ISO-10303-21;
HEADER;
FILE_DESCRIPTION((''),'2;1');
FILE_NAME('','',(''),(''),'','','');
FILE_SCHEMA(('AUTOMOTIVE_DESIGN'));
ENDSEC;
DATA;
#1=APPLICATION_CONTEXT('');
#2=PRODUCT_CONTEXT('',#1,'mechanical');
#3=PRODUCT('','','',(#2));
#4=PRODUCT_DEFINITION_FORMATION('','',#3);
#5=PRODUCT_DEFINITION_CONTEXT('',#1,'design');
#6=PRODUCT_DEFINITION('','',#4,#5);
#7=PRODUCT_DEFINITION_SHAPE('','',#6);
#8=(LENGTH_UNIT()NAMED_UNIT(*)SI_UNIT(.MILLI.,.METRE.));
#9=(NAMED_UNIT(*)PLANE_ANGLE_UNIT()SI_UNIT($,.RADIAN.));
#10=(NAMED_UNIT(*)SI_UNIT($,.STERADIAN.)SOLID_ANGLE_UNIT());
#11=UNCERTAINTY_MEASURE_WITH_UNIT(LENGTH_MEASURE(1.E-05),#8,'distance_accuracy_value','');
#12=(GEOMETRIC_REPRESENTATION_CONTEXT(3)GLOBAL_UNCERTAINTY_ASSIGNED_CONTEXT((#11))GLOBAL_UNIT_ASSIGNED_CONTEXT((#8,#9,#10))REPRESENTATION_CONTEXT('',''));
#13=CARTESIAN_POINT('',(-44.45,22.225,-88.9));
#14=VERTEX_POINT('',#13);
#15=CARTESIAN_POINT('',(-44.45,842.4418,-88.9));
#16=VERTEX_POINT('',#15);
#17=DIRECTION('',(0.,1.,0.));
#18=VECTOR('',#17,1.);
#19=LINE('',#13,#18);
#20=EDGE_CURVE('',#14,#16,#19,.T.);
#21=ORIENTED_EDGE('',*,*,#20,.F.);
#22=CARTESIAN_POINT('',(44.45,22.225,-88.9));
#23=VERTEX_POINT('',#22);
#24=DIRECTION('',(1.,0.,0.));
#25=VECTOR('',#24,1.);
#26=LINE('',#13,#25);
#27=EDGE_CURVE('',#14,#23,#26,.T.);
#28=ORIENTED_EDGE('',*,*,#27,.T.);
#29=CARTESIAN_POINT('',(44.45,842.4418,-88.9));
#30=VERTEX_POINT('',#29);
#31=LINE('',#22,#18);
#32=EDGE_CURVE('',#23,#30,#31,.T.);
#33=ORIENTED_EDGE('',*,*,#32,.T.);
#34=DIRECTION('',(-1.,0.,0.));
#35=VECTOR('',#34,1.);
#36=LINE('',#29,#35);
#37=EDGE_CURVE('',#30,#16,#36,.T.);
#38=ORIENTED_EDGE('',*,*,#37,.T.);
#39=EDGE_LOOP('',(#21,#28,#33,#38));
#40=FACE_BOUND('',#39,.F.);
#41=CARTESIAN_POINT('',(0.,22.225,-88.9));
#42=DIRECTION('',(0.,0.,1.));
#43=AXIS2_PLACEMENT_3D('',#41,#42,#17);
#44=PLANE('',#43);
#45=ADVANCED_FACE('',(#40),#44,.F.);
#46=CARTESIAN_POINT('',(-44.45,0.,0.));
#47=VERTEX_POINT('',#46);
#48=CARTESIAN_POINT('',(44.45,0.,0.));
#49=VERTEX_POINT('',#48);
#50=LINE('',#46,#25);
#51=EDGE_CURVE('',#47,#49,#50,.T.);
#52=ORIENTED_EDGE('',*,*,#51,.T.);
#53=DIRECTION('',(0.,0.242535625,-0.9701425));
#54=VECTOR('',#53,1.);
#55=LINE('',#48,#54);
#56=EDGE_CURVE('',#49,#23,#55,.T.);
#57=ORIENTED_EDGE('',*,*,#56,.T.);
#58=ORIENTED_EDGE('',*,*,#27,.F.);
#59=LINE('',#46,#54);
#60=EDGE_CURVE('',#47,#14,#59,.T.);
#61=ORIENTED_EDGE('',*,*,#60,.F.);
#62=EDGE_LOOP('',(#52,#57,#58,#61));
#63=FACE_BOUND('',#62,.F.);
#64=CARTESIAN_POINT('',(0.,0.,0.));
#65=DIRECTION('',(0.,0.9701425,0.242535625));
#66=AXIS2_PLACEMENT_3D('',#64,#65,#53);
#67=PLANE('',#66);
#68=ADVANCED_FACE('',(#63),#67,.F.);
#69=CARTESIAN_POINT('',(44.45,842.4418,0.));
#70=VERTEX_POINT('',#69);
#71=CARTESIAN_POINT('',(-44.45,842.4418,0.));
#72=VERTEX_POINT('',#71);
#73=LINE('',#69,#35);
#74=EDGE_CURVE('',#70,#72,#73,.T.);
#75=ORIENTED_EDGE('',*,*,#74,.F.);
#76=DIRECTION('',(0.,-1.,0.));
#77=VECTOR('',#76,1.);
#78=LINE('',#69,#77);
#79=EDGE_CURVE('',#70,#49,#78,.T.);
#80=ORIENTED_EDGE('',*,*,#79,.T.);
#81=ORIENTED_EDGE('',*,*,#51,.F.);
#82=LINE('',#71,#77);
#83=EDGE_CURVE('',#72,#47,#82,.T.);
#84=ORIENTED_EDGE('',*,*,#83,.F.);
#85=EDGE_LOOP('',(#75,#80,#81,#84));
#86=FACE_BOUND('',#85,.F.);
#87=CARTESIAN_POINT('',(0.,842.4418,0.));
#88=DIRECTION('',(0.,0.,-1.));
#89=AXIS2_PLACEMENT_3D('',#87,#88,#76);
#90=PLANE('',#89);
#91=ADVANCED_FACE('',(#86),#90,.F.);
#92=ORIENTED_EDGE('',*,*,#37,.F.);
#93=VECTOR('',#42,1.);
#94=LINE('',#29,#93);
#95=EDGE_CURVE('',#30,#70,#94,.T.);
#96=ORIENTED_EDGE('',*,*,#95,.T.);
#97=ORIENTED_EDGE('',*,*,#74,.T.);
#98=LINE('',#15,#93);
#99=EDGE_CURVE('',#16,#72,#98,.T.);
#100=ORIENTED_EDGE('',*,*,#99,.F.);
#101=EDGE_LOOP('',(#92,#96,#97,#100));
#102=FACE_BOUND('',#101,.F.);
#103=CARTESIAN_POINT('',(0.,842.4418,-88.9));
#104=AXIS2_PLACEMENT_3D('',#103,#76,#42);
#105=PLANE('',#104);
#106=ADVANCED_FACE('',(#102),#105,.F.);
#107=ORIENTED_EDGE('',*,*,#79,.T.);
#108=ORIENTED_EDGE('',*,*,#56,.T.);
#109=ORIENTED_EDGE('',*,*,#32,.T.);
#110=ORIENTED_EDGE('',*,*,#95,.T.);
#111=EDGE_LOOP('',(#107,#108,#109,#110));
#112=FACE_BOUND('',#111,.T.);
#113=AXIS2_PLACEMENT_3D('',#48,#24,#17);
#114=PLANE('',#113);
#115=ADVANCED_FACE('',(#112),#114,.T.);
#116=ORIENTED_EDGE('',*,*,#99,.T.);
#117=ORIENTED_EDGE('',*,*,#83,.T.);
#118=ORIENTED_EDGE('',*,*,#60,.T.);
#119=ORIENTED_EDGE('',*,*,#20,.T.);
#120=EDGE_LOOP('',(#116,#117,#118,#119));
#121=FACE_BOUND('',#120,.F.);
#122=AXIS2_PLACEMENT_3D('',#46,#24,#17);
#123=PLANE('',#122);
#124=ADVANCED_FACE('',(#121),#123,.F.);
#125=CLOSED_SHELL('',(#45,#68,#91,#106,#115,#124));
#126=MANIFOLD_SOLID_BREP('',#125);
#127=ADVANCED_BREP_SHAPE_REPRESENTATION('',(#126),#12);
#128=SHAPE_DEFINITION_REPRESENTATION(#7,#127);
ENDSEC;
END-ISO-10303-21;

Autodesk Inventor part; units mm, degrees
ref_plane "YZ Plane" through (0, 0, 0) normal (1, 0, 0) x (0, 1, 0)
ref_plane "XZ Plane" through (0, 0, 0) normal (0, 1, 0) x (-1, 0, 0)
ref_plane "XY Plane" through (0, 0, 0) normal (0, 0, 1) x (1, 0, 0)
sketch "Sketch1" plane through (0, 0, 0) normal (1, 0, 0) x (0, 1, 0)
  line L0 (0, 0) -> (22.225, -88.9)
  line L1 (22.225, -88.9) -> (842.4418, -88.9)
  line L2 (842.4418, -88.9) -> (842.4418, 0)
  line L3 (842.4418, 0) -> (0, 0)
  line L4 (0, 0) -> (0, -88.9) construction
  dimension "width" = 88.9
  dimension "roofAngle" = 14.036
  dimension "height" = 842.4418
extrude "Extrusion1" add sketch "Sketch1" along normal mid plane 88.9
equation "\"d3\" = width"
properties part number "4x4x33-2-post" material "Wood (Birch)"
